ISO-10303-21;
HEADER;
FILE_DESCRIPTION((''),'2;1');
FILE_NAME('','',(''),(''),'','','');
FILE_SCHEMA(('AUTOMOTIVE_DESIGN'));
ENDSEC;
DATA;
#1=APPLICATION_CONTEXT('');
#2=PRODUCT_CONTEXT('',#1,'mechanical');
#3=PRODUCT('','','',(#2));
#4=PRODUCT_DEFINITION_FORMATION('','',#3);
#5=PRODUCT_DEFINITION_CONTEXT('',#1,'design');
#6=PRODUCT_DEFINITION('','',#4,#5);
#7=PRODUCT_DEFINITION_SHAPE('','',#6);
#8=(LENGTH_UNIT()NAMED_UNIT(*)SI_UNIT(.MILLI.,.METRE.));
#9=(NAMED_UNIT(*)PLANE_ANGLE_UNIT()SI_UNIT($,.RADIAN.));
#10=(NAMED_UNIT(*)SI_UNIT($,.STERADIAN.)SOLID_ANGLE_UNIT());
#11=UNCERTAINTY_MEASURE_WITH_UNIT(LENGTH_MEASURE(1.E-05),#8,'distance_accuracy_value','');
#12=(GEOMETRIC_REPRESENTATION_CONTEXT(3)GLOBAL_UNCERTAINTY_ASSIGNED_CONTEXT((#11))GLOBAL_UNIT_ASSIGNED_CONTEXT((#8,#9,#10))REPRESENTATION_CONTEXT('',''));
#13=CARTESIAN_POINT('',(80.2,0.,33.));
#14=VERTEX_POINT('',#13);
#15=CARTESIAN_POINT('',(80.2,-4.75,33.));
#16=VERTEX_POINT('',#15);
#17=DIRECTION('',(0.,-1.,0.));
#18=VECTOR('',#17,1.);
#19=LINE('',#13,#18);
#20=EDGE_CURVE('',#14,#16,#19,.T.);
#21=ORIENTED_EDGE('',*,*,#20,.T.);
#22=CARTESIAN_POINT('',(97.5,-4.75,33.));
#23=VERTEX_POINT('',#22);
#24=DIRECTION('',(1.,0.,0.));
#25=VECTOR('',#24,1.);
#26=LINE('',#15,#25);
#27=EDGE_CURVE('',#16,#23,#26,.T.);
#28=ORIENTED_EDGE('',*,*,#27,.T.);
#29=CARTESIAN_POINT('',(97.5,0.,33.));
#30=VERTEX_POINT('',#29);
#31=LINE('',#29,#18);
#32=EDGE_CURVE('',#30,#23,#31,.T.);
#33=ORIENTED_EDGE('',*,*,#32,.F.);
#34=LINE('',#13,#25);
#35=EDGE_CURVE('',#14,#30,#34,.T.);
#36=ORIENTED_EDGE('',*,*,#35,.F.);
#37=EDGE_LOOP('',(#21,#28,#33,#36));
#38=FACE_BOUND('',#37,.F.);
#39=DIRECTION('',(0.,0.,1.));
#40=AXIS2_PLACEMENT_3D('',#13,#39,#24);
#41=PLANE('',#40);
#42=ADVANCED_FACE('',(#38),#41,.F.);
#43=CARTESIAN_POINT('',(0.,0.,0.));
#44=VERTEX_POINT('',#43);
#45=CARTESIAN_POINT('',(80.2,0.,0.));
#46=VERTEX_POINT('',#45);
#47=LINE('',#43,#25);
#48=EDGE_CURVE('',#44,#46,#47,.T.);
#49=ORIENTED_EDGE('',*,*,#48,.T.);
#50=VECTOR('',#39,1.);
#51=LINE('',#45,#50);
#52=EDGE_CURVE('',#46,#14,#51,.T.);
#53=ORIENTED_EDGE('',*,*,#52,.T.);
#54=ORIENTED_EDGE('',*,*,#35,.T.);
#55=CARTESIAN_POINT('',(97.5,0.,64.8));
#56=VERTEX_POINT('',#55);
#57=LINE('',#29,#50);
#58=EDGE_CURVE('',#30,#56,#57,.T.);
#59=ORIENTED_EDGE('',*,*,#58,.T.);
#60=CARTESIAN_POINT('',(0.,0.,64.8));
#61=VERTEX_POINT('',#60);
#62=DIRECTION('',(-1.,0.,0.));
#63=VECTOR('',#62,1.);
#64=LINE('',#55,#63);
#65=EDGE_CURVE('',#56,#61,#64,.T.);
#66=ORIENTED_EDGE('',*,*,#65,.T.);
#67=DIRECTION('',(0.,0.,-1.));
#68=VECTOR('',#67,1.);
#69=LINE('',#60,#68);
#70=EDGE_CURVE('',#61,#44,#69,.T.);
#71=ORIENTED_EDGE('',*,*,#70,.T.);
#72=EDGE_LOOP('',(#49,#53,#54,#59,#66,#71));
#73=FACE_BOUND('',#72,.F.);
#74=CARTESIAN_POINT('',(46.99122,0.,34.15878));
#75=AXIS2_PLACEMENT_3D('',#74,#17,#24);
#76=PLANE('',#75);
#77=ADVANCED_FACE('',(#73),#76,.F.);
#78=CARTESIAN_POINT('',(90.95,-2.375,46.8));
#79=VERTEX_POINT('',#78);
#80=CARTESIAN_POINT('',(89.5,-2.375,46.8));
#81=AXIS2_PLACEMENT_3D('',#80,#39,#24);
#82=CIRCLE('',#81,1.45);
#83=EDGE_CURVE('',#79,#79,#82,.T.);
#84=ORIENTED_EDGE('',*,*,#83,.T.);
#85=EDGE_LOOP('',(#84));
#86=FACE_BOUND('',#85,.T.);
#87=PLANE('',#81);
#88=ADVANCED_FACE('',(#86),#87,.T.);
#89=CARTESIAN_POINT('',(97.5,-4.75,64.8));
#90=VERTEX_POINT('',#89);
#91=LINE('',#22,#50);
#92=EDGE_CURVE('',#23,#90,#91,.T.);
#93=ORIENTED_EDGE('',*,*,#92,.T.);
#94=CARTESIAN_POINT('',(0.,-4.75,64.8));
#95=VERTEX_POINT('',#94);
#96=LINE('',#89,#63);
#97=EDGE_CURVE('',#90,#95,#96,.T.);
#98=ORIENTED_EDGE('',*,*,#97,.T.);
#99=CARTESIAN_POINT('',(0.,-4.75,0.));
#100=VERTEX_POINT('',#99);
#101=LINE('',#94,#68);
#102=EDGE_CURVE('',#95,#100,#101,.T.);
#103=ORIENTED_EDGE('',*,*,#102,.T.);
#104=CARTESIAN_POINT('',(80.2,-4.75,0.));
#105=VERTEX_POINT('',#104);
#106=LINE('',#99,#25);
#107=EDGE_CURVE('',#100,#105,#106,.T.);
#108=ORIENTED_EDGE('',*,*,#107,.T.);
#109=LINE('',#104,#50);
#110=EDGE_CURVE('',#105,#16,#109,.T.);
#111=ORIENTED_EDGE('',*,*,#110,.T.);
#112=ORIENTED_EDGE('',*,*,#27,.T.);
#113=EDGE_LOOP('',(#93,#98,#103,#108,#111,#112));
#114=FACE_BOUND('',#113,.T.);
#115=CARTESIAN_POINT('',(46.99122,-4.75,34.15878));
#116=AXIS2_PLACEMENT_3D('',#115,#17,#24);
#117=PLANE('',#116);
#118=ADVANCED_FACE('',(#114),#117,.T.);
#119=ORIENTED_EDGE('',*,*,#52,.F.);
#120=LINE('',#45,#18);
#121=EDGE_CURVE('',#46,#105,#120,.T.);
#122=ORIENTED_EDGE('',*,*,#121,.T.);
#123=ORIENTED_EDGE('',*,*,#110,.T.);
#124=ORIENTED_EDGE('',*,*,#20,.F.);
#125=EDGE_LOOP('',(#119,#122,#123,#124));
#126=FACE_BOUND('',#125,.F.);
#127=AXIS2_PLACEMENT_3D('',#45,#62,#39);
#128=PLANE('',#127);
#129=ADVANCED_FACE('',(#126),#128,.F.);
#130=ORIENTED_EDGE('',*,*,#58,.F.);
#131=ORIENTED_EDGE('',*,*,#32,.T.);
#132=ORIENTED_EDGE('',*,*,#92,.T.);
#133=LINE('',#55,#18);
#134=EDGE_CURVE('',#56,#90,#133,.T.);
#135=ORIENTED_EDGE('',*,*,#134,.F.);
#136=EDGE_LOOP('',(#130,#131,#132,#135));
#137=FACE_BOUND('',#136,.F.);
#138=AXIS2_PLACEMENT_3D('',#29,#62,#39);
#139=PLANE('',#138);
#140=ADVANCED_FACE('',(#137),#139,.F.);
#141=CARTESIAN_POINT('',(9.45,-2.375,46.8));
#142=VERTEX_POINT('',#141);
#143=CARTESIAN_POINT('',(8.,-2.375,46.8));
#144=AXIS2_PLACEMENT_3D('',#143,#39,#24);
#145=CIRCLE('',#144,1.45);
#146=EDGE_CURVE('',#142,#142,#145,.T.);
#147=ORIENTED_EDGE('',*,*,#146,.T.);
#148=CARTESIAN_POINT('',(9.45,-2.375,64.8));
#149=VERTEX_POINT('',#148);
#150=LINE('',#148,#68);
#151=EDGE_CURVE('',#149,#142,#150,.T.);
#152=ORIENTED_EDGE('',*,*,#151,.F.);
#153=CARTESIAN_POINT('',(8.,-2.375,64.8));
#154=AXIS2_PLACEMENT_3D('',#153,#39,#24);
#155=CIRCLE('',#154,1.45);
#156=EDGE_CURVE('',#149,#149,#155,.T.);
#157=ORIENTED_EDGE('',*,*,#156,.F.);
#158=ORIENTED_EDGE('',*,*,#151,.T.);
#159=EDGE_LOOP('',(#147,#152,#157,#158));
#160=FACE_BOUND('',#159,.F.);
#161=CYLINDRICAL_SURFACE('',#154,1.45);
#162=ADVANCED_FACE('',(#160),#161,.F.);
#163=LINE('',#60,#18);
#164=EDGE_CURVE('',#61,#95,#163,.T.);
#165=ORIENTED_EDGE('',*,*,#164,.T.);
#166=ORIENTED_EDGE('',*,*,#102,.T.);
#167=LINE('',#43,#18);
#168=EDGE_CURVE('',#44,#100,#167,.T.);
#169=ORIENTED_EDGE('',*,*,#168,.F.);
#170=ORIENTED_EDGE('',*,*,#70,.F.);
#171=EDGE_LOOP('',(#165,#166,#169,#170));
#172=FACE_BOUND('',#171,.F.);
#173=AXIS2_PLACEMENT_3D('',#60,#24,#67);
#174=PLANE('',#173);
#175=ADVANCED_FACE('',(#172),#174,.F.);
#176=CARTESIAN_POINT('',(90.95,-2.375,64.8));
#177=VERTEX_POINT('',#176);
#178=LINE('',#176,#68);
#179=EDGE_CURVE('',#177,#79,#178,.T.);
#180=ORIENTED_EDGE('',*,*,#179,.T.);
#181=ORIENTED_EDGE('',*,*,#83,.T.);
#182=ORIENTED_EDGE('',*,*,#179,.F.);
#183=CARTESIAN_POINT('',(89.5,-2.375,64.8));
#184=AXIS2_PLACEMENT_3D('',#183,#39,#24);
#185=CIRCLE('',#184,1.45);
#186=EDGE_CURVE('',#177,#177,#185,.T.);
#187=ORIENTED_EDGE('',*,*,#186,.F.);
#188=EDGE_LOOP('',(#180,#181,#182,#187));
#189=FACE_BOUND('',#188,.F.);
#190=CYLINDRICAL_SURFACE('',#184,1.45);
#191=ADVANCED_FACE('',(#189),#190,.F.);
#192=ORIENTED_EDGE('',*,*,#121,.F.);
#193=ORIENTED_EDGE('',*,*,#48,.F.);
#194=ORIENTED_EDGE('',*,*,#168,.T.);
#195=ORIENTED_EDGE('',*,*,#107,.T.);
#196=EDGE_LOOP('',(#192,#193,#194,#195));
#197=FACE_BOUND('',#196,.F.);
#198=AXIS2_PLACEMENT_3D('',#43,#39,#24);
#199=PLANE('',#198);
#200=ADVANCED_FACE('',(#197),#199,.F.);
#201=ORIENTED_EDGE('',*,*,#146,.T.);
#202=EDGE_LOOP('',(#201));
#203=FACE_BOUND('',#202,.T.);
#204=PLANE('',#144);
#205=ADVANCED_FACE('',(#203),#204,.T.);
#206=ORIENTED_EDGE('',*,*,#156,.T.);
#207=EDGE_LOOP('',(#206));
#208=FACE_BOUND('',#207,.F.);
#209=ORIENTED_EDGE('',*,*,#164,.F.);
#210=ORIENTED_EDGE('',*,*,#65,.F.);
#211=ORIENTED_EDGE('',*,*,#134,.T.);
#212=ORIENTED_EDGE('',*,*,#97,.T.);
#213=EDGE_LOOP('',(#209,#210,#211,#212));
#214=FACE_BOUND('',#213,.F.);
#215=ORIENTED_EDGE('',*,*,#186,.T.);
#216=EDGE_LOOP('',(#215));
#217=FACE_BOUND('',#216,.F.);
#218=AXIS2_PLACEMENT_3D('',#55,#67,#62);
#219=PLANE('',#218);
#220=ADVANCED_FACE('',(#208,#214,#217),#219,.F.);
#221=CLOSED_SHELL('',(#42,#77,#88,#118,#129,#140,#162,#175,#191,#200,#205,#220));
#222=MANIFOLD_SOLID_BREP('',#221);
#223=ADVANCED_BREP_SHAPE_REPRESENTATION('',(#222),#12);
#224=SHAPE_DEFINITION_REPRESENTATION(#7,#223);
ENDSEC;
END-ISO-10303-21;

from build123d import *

# Parameters (mm, degrees)
F1_DEPTH = 4.75
F2_R     = 1.45
F3_DEPTH = 18


with BuildPart() as f1:
    # F0 (on Front) → F1 (new body)
    with BuildSketch(Plane.XZ):
        Polygon((0, 64.8), (0, 0), (80.2, 0), (80.2, 33), (97.5, 33), (97.5, 64.8), align=None)
    extrude(amount=F1_DEPTH)

    # F2 (on face) → F3 (cut)
    with BuildSketch(Plane.XY.offset(64.8)):
        with Locations((89.5, -2.375)):
            Circle(F2_R)
        with BuildLine():
            ThreePointArc((6.55, -2.375), (8, -3.825), (9.45, -2.375))
            ThreePointArc((9.45, -2.375), (8, -0.925), (6.55, -2.375))
        make_face()
    extrude(amount=-F3_DEPTH, mode=Mode.SUBTRACT)


solid = f1.part
